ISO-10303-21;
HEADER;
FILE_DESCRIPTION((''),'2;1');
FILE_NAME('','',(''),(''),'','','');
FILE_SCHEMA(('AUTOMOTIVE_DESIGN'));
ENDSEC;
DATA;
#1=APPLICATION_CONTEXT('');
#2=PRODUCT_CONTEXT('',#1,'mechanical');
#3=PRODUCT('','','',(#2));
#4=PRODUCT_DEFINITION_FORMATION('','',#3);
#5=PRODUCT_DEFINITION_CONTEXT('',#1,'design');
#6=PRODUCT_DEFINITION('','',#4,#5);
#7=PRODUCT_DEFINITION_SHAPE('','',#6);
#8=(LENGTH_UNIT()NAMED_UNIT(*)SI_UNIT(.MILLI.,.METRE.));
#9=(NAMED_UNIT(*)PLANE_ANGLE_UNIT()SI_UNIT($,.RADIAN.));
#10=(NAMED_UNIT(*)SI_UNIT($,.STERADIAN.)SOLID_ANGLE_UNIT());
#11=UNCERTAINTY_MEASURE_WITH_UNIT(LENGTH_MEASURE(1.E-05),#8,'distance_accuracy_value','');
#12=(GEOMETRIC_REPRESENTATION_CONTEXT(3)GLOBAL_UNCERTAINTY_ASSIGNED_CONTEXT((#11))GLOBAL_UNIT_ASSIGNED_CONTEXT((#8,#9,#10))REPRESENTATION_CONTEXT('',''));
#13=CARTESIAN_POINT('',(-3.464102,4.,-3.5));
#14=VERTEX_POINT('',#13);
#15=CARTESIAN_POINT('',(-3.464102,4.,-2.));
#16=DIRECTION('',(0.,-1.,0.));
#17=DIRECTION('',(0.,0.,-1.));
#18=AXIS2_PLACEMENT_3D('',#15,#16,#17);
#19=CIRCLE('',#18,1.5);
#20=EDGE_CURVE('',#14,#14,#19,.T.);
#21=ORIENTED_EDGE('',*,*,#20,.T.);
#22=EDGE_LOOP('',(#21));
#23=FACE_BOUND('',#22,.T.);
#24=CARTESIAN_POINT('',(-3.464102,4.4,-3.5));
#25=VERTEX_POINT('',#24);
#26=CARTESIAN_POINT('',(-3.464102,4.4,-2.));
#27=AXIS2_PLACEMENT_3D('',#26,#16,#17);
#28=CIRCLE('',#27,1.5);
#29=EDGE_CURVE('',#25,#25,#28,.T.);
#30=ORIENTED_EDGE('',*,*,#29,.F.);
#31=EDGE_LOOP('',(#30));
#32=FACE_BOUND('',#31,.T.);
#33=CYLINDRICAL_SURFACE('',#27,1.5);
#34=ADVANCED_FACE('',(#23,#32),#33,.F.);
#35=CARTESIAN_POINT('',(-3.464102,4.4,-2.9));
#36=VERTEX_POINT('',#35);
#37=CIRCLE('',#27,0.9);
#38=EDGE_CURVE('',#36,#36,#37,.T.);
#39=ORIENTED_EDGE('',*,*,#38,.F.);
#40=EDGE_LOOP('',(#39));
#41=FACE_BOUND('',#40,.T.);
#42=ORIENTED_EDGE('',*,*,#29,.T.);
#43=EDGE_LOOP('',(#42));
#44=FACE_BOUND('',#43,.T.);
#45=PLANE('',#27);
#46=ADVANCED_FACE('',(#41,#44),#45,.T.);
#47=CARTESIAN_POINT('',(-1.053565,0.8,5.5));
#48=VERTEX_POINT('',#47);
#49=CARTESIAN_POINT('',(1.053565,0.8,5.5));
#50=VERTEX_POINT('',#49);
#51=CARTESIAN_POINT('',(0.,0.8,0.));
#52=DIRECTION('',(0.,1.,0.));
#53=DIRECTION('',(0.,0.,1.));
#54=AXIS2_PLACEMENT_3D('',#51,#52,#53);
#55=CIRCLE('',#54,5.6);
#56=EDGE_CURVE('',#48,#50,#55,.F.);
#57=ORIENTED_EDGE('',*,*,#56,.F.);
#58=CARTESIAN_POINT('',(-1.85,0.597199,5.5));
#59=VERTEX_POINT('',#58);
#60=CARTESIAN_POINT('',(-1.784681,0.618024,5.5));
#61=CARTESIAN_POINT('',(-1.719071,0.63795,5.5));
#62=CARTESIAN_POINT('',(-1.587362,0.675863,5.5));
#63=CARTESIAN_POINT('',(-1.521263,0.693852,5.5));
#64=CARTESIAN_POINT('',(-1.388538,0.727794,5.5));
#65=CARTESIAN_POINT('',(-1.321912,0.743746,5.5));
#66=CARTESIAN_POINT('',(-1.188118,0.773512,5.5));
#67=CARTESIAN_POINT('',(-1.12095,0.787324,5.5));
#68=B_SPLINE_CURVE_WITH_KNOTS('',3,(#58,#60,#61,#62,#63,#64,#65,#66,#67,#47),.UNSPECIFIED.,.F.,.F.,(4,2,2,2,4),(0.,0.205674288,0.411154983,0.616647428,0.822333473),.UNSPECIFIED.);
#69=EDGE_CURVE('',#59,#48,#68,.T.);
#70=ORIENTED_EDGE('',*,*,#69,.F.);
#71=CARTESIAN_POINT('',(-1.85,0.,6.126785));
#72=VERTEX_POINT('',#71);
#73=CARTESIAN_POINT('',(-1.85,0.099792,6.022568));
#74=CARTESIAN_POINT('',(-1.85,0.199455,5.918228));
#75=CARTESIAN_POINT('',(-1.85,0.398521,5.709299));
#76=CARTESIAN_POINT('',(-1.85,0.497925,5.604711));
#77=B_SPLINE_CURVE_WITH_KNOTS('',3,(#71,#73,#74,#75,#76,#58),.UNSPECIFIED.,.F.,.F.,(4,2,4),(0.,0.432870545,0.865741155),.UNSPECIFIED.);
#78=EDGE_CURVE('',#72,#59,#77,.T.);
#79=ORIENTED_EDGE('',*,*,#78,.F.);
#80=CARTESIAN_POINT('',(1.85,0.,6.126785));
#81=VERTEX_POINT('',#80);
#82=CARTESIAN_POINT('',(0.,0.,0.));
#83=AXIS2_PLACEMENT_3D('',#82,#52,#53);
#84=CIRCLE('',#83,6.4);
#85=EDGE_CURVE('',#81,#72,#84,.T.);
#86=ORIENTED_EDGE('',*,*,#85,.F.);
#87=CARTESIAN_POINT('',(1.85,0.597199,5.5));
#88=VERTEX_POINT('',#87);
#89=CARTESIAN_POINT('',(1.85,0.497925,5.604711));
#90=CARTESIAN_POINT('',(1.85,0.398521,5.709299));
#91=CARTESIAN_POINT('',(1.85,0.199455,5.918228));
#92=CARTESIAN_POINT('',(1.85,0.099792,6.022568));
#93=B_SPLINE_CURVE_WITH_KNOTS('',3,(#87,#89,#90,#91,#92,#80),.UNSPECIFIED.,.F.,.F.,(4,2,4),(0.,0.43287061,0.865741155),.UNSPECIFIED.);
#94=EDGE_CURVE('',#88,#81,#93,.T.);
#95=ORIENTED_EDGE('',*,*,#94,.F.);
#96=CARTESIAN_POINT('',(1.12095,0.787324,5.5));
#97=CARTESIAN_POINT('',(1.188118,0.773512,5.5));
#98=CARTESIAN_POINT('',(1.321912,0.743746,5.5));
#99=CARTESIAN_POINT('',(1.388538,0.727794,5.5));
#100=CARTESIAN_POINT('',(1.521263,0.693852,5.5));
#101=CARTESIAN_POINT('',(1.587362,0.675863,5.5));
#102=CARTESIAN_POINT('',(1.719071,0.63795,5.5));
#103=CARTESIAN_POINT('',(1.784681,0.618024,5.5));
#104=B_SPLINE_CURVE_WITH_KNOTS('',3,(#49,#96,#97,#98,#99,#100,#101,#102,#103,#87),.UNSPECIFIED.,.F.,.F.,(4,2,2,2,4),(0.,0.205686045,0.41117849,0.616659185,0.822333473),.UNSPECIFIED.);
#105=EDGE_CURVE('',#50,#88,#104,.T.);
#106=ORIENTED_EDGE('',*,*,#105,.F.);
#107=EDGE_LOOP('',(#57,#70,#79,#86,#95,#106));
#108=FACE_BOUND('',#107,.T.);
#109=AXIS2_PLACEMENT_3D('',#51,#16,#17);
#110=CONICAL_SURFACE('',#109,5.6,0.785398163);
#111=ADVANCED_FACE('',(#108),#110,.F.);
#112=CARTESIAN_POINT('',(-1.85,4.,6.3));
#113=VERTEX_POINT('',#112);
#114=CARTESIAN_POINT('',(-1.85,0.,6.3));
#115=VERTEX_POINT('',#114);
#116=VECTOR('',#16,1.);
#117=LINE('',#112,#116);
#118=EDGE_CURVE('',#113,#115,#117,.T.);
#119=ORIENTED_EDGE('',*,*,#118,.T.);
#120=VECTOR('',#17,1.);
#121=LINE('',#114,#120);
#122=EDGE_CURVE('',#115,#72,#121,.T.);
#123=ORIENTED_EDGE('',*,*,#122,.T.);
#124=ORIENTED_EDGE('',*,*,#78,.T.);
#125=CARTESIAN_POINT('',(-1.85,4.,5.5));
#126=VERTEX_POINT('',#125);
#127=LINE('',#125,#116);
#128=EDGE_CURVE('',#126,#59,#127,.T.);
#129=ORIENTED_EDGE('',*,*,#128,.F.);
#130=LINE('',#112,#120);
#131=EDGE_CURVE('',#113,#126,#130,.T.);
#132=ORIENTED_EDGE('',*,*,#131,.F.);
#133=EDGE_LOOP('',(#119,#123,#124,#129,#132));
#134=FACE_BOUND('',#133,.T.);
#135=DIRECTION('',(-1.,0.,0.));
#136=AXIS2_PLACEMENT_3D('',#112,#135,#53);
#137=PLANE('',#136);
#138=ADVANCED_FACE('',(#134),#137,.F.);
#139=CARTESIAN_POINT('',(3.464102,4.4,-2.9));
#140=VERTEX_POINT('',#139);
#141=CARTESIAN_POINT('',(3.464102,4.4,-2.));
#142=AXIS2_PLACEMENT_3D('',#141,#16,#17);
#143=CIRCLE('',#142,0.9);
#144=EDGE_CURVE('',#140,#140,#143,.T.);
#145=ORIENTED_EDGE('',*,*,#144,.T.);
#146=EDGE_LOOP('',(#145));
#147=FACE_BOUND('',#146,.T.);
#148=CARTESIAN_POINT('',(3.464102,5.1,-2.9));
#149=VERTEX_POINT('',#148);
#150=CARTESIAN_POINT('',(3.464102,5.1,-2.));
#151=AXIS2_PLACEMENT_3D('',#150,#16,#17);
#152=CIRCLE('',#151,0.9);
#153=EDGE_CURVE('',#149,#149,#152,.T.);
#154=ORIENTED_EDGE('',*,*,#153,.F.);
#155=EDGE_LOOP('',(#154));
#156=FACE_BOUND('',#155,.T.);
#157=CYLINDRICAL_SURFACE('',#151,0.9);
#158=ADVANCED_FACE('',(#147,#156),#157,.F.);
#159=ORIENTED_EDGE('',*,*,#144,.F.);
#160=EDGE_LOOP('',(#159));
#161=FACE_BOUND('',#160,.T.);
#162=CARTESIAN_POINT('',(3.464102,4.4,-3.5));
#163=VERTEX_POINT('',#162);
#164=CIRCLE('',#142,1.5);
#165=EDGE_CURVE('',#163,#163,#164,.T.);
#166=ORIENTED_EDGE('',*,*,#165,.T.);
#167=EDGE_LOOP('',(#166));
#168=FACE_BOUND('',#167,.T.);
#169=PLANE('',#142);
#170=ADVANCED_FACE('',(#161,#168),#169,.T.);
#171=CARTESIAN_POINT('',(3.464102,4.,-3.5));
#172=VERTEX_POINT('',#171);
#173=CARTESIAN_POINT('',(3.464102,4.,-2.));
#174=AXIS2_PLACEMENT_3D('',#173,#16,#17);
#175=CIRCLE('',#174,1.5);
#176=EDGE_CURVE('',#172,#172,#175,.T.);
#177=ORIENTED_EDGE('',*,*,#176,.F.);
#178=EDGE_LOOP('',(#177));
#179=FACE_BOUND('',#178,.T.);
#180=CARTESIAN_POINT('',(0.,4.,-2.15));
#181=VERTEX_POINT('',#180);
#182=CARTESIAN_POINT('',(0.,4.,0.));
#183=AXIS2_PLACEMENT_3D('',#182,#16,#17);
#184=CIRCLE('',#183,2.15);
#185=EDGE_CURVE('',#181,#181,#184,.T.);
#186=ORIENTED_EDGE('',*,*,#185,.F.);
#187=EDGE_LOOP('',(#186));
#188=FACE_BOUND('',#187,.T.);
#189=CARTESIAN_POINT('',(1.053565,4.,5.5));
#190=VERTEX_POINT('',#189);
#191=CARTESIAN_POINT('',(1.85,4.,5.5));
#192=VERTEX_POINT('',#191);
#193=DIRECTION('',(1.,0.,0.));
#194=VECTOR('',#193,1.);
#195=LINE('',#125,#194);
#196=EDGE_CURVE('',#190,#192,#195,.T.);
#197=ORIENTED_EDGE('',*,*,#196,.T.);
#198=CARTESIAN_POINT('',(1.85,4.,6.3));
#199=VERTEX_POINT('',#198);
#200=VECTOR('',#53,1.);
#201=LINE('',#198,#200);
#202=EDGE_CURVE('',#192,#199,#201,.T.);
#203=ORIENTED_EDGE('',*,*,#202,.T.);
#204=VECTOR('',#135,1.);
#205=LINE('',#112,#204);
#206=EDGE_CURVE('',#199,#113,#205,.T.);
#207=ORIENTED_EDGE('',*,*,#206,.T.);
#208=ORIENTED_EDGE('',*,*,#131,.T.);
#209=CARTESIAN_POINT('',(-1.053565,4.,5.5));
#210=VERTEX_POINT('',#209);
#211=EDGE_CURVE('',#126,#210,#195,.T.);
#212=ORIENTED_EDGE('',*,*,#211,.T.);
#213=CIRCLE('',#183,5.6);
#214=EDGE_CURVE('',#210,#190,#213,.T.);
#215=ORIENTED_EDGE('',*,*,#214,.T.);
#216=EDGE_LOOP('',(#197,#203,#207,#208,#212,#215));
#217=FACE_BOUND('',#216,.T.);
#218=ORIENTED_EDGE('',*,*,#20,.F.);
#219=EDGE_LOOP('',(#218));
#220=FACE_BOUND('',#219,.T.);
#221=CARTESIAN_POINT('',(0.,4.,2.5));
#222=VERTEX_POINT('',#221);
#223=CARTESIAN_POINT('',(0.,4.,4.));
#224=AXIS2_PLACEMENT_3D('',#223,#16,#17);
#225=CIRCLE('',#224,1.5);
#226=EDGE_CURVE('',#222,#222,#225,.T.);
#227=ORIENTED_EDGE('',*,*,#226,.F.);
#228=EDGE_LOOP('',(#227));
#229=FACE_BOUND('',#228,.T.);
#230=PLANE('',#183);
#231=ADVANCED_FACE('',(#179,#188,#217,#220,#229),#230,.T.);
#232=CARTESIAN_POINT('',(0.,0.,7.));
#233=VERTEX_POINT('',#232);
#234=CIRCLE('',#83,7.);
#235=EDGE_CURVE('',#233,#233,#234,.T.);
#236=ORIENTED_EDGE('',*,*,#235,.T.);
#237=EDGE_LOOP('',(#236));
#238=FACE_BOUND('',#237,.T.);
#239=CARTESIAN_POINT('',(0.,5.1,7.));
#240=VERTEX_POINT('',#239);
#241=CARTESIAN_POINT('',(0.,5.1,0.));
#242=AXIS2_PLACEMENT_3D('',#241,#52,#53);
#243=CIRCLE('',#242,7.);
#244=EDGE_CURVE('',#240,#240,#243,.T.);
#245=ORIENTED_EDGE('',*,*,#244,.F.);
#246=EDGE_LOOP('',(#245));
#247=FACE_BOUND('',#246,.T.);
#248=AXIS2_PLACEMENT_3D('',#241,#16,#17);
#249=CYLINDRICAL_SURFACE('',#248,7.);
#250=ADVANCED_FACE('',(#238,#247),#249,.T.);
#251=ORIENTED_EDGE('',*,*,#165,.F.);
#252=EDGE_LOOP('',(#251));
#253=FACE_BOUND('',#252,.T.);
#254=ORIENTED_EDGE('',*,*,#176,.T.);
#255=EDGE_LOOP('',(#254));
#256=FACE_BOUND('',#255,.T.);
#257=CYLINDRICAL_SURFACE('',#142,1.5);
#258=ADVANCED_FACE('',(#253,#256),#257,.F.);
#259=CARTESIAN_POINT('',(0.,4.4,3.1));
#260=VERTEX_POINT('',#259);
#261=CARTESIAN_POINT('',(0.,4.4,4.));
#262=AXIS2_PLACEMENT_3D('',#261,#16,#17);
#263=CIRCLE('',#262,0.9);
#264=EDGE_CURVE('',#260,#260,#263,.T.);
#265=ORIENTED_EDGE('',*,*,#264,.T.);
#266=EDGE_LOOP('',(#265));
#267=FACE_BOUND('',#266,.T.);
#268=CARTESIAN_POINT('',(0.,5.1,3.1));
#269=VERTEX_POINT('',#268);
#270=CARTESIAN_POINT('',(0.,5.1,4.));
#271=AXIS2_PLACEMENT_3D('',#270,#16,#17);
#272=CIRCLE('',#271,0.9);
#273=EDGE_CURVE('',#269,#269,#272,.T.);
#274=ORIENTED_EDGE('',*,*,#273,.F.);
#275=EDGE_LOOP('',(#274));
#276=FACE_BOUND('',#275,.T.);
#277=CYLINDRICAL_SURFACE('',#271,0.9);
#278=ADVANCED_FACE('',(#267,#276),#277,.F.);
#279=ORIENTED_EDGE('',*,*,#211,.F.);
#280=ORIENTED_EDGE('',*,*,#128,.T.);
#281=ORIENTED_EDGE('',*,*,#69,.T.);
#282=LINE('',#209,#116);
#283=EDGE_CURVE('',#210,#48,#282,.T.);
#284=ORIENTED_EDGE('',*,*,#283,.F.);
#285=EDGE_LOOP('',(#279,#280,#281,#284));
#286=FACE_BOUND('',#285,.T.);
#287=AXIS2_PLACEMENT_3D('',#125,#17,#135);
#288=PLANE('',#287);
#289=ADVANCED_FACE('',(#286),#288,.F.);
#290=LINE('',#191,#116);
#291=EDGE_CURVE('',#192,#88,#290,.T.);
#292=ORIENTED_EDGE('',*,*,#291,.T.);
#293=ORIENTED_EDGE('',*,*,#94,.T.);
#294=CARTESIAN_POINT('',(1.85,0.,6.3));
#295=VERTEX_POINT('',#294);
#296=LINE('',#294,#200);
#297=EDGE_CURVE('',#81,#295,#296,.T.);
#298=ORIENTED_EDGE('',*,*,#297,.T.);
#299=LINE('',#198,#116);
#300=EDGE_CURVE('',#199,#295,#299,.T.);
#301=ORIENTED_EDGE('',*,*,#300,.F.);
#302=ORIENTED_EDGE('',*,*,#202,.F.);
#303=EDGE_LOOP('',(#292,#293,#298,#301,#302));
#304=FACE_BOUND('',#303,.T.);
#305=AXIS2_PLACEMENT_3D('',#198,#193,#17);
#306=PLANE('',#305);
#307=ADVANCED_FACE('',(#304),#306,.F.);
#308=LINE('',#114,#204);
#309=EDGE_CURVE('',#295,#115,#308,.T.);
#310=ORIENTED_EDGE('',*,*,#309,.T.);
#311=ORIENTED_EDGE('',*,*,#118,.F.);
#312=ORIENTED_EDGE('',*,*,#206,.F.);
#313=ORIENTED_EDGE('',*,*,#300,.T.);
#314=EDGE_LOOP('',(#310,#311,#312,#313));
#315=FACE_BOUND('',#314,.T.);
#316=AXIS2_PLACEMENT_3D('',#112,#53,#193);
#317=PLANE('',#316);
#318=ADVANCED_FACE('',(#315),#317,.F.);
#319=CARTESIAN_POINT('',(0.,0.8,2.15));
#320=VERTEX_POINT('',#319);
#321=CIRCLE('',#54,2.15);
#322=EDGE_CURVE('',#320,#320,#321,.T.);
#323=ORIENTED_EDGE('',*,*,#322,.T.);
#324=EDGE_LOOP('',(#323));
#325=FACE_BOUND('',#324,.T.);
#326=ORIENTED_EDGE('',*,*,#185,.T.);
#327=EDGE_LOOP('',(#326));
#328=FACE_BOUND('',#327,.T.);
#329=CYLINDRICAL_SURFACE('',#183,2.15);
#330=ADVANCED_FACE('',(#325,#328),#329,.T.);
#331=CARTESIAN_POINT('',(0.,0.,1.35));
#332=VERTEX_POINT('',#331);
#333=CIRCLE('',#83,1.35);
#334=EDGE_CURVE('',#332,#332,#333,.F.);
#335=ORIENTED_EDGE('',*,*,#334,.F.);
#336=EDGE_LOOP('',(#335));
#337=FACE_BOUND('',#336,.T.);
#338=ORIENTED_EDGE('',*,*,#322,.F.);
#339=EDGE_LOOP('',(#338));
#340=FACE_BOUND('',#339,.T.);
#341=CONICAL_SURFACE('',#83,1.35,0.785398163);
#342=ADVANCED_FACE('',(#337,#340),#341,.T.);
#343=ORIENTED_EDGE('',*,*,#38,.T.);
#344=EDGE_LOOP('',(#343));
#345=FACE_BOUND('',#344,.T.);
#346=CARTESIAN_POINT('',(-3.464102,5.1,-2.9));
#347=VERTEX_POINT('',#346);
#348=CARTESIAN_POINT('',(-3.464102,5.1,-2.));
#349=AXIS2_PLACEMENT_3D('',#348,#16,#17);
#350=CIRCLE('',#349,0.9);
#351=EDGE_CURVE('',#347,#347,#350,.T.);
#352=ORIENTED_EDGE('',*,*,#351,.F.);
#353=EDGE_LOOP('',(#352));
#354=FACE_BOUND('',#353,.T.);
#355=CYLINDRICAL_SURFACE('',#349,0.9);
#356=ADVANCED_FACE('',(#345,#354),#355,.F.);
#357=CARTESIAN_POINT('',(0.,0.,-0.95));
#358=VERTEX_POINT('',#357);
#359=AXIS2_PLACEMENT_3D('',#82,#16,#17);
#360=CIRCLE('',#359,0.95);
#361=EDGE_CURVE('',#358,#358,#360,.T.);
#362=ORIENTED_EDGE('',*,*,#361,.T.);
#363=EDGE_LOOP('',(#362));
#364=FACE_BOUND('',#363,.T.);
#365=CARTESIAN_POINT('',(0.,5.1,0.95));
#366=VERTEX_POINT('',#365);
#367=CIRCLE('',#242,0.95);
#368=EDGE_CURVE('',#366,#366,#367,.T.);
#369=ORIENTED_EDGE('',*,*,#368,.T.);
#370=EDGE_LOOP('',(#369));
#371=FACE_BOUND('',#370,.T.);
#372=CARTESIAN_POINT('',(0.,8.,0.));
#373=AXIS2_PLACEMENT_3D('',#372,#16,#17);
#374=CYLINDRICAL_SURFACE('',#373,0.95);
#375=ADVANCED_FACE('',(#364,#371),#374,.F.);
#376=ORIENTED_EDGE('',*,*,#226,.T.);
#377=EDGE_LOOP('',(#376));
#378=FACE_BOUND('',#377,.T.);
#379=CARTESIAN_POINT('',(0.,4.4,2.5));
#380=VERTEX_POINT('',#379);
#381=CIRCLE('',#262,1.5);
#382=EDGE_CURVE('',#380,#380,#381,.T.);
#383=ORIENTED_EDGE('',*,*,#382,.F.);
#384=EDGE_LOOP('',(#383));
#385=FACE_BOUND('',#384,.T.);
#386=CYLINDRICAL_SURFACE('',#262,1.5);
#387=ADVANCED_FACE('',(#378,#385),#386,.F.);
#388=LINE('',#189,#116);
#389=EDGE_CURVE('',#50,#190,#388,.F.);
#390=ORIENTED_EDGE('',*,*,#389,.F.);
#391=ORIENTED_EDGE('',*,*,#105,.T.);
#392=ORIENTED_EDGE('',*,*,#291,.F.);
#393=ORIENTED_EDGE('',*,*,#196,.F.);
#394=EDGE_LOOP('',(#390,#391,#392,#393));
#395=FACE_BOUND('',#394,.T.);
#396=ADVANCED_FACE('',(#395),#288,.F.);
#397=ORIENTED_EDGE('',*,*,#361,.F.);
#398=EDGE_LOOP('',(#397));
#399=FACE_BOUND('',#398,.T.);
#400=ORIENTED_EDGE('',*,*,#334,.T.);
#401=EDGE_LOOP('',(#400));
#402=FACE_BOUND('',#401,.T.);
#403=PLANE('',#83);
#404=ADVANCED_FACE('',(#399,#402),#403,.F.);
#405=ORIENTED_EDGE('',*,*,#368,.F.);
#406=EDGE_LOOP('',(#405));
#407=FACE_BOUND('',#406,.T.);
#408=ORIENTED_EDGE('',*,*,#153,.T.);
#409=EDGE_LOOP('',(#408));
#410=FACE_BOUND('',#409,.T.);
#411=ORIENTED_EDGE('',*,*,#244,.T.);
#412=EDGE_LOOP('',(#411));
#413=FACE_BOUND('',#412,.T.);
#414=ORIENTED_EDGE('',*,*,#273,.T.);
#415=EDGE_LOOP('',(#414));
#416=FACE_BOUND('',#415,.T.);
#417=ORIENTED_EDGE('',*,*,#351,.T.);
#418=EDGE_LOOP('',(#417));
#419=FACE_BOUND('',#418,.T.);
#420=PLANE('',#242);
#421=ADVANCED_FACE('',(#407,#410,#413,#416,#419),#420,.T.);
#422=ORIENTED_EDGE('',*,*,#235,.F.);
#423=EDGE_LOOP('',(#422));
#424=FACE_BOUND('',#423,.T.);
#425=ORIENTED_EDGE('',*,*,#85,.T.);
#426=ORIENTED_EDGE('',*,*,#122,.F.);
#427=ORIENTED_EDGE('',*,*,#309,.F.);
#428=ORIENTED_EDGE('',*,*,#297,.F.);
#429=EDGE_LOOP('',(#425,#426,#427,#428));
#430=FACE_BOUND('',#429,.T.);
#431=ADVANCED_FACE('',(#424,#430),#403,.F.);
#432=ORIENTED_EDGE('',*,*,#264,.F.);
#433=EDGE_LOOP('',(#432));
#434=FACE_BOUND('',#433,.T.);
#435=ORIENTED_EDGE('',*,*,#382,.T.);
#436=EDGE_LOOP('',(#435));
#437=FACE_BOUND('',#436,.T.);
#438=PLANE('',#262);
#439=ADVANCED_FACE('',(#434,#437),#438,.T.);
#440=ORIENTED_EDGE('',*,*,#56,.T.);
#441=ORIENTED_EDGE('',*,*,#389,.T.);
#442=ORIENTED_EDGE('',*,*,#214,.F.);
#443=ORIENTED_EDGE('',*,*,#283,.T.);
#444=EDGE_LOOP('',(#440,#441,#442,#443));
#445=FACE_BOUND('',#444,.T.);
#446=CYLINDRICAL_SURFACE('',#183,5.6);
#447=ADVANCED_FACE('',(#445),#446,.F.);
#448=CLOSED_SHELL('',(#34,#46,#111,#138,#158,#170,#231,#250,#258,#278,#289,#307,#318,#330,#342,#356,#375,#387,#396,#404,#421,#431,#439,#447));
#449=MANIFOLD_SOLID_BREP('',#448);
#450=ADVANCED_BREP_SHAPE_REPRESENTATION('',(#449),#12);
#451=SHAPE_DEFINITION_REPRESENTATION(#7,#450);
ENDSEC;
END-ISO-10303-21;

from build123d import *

# Parameters (mm, degrees)
SKETCH_1_R               = 7
EXTRUDE_1_DEPTH          = 5.1
SKETCH_4_R               = 0.95
CUT_EXTRUDE_2_DEPTH      = 8
SKETCH_5_R               = 5.6
SKETCH_5_R_2             = 2.15
CUT_EXTRUDE_3_DEPTH      = 4
SKETCH_6_W               = 3.7
SKETCH_6_H               = 0.8
CUT_EXTRUDE_4_DEPTH      = 4
CHAMFER_1_SIZE           = 0.8
CHAMFER_2_SIZE           = 0.8
SKETCH_7_R               = 1.5
CUT_EXTRUDE_5_DEPTH      = 0.4
SKETCH_8_R               = 0.9
CUT_EXTRUDE_6_DEPTH      = 5
CUT_EXTRUDE_6_DEPTH_BACK = 2.1


with BuildPart() as part:
    # Эскиз1 → Бобышка-Вытянуть1 (new body)
    with BuildSketch(Plane(origin=(0, 0, 0), x_dir=(1, 0, 0), z_dir=(0, 1, 0))):
        Circle(SKETCH_1_R)
    extrude(amount=EXTRUDE_1_DEPTH)

    # Эскиз4 → Вырез-Вытянуть2 (cut)
    with BuildSketch(Plane.XZ):
        Circle(SKETCH_4_R)
    extrude(amount=-CUT_EXTRUDE_2_DEPTH, mode=Mode.SUBTRACT)

    # Эскиз5 → Вырез-Вытянуть3 (cut)
    with BuildSketch(Plane(origin=(0, 0, 0), x_dir=(-1, 0, 0), z_dir=(0, -1, 0))):
        Circle(SKETCH_5_R)
        Circle(SKETCH_5_R_2, mode=Mode.SUBTRACT)
    extrude(amount=-CUT_EXTRUDE_3_DEPTH, mode=Mode.SUBTRACT)

    # Эскиз6 → Вырез-Вытянуть4 (cut)
    with BuildSketch(Plane.XZ):
        with Locations((0, 5.9)):
            Rectangle(SKETCH_6_W, SKETCH_6_H)
    extrude(amount=-CUT_EXTRUDE_4_DEPTH, mode=Mode.SUBTRACT)

    # Фаска1
    chamfer_1_edges = [part.edges().sort_by_distance(p)[0] for p in [
        (2.15, 0, 0),
    ]]
    chamfer(chamfer_1_edges, length=CHAMFER_1_SIZE)

    # Фаска2
    chamfer_2_edges = [part.edges().sort_by_distance(p)[0] for p in [
        (0, 0, -5.6),
    ]]
    chamfer(chamfer_2_edges, length=CHAMFER_2_SIZE)

    # Эскиз7 → Вырез-Вытянуть5 (cut)
    with BuildSketch(Plane.XZ.offset(-4)):
        with Locations((0, 4)):
            Circle(SKETCH_7_R)
        with Locations((3.464101615, -2)):
            Circle(SKETCH_7_R)
        with Locations((-3.464101615, -2)):
            Circle(SKETCH_7_R)
    extrude(amount=-CUT_EXTRUDE_5_DEPTH, mode=Mode.SUBTRACT)

    # Эскиз8 → Вырез-Вытянуть6 (cut, two sides)
    with BuildSketch(Plane.XZ.offset(-4)) as cut_extrude_6_sk:
        with Locations((0, 4)):
            Circle(SKETCH_8_R)
        with Locations((3.464101615, -2)):
            Circle(SKETCH_8_R)
        with Locations((-3.464101615, -2)):
            Circle(SKETCH_8_R)
    extrude(amount=CUT_EXTRUDE_6_DEPTH, mode=Mode.SUBTRACT)
    extrude(cut_extrude_6_sk.sketch, amount=-CUT_EXTRUDE_6_DEPTH_BACK, mode=Mode.SUBTRACT)


solid = part.part
